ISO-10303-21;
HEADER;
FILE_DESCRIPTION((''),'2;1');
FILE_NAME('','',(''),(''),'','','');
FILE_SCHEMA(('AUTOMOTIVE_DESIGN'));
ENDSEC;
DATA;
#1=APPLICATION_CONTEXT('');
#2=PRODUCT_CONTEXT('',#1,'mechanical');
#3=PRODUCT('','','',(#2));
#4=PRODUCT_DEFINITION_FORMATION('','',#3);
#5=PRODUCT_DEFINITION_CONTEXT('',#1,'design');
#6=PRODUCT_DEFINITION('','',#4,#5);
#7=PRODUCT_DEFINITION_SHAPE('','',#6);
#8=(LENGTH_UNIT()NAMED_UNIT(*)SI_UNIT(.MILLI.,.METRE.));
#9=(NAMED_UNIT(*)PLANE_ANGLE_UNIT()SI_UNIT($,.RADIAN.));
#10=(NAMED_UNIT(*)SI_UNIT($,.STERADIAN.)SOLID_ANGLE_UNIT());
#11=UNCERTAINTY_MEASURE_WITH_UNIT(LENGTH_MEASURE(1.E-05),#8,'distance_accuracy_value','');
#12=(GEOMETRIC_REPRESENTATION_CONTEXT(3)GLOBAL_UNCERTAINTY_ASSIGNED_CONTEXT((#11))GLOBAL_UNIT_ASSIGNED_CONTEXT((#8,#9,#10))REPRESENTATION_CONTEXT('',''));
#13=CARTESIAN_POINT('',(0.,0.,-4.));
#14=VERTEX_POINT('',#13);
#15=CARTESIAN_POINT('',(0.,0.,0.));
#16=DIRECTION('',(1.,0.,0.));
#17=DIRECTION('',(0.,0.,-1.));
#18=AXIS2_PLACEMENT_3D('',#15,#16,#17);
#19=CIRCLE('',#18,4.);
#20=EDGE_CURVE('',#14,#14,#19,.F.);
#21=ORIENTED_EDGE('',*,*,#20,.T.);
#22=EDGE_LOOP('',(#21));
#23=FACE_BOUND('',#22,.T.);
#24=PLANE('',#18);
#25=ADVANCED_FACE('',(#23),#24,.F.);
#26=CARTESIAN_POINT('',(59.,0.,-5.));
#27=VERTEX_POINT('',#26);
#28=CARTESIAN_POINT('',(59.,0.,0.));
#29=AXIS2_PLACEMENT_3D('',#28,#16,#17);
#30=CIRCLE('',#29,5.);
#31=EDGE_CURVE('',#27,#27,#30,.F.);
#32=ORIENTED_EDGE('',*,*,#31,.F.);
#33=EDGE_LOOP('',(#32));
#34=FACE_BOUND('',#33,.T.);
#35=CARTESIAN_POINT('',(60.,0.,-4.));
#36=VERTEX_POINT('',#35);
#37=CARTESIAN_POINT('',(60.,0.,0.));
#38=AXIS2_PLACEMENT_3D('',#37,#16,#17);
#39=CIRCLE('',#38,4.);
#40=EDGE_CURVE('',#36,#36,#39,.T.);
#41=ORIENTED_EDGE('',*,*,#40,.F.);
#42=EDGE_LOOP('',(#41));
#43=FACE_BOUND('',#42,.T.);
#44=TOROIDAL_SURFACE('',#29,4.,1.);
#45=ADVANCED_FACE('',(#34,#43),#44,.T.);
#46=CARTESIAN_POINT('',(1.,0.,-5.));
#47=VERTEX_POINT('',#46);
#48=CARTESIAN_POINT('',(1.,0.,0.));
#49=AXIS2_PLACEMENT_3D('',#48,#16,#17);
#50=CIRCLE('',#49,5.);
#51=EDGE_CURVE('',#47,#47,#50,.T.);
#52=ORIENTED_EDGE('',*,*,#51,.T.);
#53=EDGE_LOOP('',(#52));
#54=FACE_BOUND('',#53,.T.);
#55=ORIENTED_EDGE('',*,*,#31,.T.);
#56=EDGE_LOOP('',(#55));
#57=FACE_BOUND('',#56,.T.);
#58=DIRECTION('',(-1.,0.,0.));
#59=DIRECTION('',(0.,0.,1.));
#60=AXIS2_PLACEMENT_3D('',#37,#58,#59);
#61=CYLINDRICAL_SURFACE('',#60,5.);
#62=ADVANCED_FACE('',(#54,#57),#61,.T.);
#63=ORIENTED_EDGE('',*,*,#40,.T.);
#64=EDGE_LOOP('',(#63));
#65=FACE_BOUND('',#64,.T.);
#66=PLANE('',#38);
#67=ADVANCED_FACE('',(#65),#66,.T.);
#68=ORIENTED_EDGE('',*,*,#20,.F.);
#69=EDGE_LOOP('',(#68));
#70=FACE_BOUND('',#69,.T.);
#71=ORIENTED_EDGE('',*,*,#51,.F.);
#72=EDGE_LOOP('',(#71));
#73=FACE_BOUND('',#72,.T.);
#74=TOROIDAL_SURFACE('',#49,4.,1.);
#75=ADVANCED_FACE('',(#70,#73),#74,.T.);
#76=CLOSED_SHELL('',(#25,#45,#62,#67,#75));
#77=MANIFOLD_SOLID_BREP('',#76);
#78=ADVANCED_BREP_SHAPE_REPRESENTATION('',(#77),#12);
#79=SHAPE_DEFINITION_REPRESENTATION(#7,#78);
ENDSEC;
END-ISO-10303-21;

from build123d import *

# Parameters (mm, degrees)
SKIZZE1_R                       = 5
AUFSATZ_LINEAR_AUSTRAGEN1_DEPTH = 60
VERRUNDUNG3_R                   = 1


with BuildPart() as part:
    # Skizze1 → Aufsatz-Linear austragen1 (new body)
    with BuildSketch(Plane(origin=(0, 0, 0), x_dir=(0, 0, -1), z_dir=(1, 0, 0))):
        Circle(SKIZZE1_R)
    extrude(amount=AUFSATZ_LINEAR_AUSTRAGEN1_DEPTH)

    # Verrundung3
    verrundung3_edges = [part.edges().sort_by_distance(p)[0] for p in [
        (0, 0, 5),
        (60, 0, 5),
    ]]
    fillet(verrundung3_edges, radius=VERRUNDUNG3_R)


solid = part.part
